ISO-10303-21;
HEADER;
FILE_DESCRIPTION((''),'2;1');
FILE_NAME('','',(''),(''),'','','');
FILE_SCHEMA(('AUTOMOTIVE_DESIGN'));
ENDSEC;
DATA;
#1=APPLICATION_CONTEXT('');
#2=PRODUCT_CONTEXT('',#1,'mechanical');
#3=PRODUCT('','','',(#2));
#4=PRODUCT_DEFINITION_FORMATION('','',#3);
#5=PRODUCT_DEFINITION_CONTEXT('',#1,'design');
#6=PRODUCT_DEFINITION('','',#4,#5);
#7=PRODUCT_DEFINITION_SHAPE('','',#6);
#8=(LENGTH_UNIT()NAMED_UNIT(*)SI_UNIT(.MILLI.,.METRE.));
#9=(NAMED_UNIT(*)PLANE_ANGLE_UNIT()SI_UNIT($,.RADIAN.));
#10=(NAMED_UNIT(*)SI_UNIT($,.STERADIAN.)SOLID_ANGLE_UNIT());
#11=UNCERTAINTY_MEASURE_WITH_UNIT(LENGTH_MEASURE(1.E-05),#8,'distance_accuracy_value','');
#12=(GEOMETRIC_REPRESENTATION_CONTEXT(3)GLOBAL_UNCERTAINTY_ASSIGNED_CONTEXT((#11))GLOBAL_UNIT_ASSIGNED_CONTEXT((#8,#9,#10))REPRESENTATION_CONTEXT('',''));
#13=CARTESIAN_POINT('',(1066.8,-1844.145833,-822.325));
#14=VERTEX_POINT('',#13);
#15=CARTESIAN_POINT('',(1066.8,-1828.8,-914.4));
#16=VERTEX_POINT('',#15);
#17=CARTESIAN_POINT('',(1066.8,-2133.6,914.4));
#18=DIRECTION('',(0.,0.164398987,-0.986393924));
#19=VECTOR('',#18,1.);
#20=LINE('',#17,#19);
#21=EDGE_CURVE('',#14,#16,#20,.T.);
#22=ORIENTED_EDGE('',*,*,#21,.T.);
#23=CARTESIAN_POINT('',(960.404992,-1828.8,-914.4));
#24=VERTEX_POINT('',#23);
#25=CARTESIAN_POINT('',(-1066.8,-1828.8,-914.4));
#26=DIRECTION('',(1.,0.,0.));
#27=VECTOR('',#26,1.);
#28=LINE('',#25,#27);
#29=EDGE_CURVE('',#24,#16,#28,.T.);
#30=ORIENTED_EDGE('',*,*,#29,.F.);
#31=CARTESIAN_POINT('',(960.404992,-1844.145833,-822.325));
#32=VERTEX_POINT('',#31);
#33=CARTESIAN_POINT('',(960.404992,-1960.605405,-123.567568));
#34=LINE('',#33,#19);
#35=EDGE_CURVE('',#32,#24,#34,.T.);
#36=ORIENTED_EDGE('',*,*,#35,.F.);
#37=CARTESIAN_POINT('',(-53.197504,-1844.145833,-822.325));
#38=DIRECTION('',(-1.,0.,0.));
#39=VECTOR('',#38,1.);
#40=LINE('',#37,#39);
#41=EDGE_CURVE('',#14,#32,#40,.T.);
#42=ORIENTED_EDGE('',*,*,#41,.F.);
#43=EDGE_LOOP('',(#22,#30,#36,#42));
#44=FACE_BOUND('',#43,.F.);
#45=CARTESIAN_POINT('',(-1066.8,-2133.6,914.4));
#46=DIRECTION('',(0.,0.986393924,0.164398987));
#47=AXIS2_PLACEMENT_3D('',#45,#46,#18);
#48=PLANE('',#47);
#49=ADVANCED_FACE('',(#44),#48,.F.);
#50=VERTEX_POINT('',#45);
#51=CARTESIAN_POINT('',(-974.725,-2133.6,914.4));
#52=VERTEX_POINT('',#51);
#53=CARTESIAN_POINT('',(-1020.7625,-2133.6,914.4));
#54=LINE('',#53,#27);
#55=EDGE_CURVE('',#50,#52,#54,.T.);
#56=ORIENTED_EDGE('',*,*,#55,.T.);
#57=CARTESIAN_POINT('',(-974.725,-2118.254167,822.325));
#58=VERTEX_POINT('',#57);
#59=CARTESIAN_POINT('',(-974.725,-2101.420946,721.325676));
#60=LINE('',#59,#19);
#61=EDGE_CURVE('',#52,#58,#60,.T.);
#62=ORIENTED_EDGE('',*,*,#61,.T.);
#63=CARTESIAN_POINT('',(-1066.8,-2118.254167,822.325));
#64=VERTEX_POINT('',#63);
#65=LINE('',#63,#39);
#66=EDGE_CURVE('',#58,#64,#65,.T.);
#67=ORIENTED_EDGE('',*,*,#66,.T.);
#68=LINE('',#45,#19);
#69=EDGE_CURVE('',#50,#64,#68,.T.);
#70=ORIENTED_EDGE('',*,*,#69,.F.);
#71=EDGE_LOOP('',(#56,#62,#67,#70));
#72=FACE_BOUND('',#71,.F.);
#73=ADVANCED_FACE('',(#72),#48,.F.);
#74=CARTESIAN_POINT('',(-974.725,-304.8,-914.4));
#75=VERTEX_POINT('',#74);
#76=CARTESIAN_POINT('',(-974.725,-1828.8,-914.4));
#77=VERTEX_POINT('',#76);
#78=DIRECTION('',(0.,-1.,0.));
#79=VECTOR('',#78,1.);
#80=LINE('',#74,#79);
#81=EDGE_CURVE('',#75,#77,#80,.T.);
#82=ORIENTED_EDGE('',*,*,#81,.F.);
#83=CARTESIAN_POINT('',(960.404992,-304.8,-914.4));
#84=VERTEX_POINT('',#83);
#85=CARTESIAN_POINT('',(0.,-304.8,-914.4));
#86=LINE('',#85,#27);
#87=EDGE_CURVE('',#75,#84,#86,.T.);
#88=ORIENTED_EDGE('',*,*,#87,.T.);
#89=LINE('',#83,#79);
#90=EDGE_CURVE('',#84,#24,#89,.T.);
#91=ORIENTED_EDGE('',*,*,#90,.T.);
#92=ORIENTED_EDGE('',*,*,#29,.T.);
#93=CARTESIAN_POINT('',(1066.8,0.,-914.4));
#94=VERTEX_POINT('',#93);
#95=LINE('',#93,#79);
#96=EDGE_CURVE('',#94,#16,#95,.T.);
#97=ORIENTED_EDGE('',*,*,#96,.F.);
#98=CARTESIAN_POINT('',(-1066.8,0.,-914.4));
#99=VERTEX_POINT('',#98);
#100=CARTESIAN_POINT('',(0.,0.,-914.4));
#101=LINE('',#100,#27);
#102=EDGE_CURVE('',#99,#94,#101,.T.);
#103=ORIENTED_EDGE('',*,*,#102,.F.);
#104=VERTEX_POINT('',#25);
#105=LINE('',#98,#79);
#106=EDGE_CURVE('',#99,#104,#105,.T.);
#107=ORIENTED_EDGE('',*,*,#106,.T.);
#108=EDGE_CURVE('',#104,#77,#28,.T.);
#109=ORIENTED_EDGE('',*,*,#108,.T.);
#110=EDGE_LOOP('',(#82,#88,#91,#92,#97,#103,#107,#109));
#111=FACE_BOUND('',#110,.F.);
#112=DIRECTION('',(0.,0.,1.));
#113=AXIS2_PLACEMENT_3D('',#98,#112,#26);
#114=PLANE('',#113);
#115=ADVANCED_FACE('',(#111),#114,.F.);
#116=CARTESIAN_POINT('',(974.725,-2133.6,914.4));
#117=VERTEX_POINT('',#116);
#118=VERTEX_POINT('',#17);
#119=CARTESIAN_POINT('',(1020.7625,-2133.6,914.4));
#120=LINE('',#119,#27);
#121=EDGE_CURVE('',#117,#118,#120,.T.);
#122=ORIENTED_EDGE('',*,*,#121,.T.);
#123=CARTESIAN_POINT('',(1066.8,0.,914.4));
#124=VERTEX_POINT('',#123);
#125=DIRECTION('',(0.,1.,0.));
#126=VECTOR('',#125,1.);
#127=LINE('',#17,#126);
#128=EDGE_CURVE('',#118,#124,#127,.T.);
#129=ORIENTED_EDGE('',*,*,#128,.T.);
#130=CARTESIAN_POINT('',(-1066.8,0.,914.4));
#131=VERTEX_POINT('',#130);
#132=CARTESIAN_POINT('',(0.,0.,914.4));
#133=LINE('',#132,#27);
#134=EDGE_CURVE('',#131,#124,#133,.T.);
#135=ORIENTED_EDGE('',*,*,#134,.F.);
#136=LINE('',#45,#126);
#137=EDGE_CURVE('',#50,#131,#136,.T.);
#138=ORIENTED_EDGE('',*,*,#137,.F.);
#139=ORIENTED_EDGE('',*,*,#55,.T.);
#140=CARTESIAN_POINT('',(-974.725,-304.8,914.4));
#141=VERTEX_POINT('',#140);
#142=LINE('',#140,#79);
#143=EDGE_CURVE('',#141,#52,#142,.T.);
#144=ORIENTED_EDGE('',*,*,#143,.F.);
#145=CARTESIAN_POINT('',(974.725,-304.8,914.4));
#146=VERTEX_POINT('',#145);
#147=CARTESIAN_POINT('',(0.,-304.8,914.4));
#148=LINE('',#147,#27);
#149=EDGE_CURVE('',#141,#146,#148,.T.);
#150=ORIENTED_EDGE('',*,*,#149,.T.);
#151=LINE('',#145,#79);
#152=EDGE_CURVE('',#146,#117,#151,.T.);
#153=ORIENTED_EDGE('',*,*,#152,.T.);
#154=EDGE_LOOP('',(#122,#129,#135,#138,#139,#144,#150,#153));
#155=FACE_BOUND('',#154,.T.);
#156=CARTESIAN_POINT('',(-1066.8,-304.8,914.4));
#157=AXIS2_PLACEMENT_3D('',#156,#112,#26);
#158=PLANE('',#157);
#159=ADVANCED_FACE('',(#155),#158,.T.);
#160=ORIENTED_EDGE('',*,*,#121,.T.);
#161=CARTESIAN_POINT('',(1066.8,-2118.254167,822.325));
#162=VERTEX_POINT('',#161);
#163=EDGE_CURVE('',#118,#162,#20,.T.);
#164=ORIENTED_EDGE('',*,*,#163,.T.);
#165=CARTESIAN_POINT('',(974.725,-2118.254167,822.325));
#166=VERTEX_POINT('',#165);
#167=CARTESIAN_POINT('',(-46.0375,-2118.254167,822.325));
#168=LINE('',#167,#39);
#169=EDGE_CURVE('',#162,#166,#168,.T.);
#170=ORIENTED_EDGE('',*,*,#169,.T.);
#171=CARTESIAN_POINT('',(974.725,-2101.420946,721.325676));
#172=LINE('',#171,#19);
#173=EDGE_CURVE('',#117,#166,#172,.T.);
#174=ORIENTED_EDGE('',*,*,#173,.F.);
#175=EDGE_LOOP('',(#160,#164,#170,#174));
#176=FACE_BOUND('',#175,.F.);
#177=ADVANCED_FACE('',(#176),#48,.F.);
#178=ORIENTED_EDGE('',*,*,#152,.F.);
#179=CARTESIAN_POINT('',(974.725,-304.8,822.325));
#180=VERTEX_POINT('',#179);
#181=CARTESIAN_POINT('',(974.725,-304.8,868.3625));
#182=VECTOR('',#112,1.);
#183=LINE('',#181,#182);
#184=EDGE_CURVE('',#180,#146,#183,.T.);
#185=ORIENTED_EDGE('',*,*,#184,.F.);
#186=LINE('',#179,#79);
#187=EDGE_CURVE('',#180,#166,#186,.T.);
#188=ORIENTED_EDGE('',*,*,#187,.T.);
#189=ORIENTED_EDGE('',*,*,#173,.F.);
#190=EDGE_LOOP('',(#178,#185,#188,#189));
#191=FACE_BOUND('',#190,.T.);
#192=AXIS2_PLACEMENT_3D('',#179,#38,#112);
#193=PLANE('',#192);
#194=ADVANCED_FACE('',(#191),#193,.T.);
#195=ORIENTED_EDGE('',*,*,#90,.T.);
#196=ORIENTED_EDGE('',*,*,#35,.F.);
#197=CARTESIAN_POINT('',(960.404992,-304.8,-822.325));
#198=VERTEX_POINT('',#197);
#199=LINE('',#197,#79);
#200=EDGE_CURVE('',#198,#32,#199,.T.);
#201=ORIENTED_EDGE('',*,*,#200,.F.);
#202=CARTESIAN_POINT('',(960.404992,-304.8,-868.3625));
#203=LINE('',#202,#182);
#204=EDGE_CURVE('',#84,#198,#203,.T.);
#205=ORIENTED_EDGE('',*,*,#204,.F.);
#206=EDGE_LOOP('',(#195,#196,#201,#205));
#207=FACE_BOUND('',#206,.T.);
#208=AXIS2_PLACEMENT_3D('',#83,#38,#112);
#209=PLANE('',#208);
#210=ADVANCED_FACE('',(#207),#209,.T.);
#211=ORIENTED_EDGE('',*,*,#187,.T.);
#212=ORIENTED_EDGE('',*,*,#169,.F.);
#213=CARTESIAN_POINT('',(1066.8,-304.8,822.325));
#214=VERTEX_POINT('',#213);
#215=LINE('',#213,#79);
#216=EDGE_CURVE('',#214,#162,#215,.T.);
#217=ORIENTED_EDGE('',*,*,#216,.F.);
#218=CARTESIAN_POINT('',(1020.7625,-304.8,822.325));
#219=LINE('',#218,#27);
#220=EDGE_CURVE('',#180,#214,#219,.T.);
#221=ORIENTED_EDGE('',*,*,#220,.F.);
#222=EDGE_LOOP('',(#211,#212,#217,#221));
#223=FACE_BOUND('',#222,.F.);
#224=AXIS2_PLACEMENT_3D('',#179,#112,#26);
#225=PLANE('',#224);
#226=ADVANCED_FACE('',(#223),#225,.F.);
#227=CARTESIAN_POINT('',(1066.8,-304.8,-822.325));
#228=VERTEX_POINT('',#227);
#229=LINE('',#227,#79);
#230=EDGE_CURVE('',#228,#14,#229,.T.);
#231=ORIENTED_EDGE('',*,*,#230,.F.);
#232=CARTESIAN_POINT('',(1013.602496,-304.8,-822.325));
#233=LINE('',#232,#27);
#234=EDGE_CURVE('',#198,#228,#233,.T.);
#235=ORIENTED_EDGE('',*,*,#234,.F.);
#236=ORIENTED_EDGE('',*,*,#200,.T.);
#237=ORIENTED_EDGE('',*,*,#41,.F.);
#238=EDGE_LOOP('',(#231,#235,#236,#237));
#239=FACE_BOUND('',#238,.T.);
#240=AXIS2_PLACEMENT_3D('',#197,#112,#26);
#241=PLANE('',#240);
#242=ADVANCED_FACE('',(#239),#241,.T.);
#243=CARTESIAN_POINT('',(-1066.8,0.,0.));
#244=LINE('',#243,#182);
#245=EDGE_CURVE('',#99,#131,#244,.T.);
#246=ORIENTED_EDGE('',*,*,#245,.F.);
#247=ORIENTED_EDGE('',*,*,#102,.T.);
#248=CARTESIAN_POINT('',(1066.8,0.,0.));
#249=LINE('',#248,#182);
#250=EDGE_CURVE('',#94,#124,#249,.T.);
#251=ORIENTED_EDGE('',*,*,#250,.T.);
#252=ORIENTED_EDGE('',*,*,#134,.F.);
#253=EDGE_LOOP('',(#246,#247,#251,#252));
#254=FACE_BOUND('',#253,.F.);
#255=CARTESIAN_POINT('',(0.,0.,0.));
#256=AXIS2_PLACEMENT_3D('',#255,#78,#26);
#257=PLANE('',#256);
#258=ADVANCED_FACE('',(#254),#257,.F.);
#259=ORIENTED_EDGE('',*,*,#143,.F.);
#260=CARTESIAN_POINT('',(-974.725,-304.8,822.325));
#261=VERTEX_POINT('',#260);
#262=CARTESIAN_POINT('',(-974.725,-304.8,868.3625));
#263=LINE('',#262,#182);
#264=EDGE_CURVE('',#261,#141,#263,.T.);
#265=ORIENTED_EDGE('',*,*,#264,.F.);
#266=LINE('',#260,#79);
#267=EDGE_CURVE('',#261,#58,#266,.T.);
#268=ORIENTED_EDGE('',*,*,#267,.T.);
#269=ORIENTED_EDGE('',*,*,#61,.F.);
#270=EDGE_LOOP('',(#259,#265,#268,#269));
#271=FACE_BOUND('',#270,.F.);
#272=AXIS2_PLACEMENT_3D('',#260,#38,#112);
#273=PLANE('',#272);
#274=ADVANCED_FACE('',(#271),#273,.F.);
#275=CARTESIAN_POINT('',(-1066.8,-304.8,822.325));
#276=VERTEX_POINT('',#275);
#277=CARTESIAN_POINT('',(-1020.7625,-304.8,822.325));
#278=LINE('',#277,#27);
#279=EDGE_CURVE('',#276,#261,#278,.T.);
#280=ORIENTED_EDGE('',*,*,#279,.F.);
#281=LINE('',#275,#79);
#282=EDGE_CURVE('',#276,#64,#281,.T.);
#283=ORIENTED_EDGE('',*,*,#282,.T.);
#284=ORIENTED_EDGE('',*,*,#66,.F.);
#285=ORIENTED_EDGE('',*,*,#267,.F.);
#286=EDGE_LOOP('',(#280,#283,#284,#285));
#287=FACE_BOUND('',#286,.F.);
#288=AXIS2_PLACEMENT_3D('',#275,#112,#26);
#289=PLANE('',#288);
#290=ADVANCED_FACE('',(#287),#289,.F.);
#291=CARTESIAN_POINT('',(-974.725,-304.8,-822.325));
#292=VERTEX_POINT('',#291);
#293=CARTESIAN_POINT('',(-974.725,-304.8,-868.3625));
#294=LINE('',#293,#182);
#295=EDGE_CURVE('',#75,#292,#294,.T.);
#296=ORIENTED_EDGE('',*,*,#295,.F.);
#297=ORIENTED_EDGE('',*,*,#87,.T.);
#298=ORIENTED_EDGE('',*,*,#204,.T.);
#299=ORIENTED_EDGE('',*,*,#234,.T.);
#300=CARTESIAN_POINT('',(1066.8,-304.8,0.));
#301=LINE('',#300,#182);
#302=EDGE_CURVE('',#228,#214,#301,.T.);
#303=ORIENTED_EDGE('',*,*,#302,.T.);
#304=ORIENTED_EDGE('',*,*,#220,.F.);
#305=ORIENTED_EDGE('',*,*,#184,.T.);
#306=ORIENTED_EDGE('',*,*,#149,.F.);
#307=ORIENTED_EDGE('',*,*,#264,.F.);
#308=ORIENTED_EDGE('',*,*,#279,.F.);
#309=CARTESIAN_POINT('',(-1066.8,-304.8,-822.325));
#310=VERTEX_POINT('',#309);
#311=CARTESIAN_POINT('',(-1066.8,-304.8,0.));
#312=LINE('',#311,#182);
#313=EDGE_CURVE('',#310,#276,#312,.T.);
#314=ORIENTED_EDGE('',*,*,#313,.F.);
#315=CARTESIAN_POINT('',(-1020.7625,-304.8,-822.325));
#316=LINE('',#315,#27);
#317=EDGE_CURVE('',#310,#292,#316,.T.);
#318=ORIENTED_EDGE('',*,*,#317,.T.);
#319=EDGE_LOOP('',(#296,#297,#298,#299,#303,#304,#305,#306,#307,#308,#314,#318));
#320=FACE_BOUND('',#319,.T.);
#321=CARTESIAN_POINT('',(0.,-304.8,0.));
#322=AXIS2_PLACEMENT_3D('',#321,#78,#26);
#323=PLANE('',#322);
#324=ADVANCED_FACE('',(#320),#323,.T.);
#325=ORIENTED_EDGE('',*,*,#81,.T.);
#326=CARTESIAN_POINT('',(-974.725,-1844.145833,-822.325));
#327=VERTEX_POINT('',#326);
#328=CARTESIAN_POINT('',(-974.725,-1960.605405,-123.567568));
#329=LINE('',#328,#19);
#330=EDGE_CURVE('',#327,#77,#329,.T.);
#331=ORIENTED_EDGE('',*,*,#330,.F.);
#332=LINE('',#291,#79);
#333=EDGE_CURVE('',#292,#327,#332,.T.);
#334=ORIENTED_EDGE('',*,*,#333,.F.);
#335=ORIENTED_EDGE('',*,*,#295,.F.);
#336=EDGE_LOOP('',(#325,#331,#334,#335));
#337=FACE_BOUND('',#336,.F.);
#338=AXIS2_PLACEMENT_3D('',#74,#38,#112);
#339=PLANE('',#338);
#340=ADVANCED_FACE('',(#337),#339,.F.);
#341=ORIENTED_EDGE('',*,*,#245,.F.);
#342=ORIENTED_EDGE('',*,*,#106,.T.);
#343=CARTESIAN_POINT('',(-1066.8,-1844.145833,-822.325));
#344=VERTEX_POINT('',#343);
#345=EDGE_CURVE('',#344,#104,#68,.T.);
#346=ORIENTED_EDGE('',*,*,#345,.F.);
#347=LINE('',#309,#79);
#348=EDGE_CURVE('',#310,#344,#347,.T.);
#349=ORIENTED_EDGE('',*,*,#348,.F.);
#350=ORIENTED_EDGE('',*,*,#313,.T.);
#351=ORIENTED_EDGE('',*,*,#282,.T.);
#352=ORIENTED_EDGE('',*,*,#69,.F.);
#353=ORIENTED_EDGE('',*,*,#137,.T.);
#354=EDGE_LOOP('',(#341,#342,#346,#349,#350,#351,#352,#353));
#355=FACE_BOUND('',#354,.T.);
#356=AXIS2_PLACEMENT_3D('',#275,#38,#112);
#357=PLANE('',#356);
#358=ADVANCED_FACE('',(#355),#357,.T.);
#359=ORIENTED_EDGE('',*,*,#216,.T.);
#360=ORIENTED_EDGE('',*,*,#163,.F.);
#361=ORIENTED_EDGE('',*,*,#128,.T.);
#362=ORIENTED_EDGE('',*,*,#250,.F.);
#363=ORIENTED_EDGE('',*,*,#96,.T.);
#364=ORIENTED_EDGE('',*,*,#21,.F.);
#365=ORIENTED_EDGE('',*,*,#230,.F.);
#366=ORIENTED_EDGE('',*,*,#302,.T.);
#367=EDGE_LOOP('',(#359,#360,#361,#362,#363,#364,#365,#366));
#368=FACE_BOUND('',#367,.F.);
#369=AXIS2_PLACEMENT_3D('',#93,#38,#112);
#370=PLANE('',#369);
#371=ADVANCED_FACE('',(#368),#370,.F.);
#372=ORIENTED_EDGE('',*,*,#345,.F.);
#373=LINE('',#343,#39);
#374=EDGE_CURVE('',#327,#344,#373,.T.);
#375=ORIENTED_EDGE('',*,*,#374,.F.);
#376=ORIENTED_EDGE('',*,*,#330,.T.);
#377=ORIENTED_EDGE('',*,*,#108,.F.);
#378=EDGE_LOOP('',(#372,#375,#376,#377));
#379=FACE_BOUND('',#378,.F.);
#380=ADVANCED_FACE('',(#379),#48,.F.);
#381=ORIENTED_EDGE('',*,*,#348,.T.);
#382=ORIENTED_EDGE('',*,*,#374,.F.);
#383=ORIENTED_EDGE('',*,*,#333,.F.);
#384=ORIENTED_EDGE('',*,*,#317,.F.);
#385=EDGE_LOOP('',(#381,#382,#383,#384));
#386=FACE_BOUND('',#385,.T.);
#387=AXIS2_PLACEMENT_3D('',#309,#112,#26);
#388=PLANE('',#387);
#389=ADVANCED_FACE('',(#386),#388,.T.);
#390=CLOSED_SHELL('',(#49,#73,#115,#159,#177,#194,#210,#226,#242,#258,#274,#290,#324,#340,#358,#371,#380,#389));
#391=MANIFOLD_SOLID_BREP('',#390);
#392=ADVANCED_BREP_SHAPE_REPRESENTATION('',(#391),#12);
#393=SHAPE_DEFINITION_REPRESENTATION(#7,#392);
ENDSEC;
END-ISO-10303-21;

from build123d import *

# Parameters (mm, degrees)
F0_W     = 2133.6
F0_H     = 1828.8
F1_DEPTH = 304.8
F2_W     = 92.075
F2_H     = 92.075
F2_W_2   = 106.395008
F3_DEPTH = 1828.8
F5_DEPTH = 2133.6


with BuildPart() as f1:
    # F0 (on Front) → F1 (new body)
    with BuildSketch(Plane.XZ):
        Rectangle(F0_W, F0_H)
    extrude(amount=F1_DEPTH)

    # F2 (on face) → F3 (join)
    with BuildSketch(Plane.XZ.offset(304.8)):
        with Locations((-1020.7625, 868.3625)):
            Rectangle(F2_W, F2_H)
        with Locations((-1020.7625, -868.3625)):
            Rectangle(F2_W, F2_H)
        with Locations((1020.7625, 868.3625)):
            Rectangle(F2_W, F2_H)
        with Locations((1013.602496, -868.3625)):
            Rectangle(F2_W_2, F2_H)
    extrude(amount=F3_DEPTH)

    # F4 (on face) → F5 (cut)
    with BuildSketch(Plane(origin=(-1066.8, 0, 0), x_dir=(0, -1, 0), z_dir=(-1, 0, 0))):
        Polygon((2133.6, -914.4), (2133.6, 914.4), (1828.8, -914.4), align=None)
    extrude(amount=-F5_DEPTH, mode=Mode.SUBTRACT)


solid = f1.part
